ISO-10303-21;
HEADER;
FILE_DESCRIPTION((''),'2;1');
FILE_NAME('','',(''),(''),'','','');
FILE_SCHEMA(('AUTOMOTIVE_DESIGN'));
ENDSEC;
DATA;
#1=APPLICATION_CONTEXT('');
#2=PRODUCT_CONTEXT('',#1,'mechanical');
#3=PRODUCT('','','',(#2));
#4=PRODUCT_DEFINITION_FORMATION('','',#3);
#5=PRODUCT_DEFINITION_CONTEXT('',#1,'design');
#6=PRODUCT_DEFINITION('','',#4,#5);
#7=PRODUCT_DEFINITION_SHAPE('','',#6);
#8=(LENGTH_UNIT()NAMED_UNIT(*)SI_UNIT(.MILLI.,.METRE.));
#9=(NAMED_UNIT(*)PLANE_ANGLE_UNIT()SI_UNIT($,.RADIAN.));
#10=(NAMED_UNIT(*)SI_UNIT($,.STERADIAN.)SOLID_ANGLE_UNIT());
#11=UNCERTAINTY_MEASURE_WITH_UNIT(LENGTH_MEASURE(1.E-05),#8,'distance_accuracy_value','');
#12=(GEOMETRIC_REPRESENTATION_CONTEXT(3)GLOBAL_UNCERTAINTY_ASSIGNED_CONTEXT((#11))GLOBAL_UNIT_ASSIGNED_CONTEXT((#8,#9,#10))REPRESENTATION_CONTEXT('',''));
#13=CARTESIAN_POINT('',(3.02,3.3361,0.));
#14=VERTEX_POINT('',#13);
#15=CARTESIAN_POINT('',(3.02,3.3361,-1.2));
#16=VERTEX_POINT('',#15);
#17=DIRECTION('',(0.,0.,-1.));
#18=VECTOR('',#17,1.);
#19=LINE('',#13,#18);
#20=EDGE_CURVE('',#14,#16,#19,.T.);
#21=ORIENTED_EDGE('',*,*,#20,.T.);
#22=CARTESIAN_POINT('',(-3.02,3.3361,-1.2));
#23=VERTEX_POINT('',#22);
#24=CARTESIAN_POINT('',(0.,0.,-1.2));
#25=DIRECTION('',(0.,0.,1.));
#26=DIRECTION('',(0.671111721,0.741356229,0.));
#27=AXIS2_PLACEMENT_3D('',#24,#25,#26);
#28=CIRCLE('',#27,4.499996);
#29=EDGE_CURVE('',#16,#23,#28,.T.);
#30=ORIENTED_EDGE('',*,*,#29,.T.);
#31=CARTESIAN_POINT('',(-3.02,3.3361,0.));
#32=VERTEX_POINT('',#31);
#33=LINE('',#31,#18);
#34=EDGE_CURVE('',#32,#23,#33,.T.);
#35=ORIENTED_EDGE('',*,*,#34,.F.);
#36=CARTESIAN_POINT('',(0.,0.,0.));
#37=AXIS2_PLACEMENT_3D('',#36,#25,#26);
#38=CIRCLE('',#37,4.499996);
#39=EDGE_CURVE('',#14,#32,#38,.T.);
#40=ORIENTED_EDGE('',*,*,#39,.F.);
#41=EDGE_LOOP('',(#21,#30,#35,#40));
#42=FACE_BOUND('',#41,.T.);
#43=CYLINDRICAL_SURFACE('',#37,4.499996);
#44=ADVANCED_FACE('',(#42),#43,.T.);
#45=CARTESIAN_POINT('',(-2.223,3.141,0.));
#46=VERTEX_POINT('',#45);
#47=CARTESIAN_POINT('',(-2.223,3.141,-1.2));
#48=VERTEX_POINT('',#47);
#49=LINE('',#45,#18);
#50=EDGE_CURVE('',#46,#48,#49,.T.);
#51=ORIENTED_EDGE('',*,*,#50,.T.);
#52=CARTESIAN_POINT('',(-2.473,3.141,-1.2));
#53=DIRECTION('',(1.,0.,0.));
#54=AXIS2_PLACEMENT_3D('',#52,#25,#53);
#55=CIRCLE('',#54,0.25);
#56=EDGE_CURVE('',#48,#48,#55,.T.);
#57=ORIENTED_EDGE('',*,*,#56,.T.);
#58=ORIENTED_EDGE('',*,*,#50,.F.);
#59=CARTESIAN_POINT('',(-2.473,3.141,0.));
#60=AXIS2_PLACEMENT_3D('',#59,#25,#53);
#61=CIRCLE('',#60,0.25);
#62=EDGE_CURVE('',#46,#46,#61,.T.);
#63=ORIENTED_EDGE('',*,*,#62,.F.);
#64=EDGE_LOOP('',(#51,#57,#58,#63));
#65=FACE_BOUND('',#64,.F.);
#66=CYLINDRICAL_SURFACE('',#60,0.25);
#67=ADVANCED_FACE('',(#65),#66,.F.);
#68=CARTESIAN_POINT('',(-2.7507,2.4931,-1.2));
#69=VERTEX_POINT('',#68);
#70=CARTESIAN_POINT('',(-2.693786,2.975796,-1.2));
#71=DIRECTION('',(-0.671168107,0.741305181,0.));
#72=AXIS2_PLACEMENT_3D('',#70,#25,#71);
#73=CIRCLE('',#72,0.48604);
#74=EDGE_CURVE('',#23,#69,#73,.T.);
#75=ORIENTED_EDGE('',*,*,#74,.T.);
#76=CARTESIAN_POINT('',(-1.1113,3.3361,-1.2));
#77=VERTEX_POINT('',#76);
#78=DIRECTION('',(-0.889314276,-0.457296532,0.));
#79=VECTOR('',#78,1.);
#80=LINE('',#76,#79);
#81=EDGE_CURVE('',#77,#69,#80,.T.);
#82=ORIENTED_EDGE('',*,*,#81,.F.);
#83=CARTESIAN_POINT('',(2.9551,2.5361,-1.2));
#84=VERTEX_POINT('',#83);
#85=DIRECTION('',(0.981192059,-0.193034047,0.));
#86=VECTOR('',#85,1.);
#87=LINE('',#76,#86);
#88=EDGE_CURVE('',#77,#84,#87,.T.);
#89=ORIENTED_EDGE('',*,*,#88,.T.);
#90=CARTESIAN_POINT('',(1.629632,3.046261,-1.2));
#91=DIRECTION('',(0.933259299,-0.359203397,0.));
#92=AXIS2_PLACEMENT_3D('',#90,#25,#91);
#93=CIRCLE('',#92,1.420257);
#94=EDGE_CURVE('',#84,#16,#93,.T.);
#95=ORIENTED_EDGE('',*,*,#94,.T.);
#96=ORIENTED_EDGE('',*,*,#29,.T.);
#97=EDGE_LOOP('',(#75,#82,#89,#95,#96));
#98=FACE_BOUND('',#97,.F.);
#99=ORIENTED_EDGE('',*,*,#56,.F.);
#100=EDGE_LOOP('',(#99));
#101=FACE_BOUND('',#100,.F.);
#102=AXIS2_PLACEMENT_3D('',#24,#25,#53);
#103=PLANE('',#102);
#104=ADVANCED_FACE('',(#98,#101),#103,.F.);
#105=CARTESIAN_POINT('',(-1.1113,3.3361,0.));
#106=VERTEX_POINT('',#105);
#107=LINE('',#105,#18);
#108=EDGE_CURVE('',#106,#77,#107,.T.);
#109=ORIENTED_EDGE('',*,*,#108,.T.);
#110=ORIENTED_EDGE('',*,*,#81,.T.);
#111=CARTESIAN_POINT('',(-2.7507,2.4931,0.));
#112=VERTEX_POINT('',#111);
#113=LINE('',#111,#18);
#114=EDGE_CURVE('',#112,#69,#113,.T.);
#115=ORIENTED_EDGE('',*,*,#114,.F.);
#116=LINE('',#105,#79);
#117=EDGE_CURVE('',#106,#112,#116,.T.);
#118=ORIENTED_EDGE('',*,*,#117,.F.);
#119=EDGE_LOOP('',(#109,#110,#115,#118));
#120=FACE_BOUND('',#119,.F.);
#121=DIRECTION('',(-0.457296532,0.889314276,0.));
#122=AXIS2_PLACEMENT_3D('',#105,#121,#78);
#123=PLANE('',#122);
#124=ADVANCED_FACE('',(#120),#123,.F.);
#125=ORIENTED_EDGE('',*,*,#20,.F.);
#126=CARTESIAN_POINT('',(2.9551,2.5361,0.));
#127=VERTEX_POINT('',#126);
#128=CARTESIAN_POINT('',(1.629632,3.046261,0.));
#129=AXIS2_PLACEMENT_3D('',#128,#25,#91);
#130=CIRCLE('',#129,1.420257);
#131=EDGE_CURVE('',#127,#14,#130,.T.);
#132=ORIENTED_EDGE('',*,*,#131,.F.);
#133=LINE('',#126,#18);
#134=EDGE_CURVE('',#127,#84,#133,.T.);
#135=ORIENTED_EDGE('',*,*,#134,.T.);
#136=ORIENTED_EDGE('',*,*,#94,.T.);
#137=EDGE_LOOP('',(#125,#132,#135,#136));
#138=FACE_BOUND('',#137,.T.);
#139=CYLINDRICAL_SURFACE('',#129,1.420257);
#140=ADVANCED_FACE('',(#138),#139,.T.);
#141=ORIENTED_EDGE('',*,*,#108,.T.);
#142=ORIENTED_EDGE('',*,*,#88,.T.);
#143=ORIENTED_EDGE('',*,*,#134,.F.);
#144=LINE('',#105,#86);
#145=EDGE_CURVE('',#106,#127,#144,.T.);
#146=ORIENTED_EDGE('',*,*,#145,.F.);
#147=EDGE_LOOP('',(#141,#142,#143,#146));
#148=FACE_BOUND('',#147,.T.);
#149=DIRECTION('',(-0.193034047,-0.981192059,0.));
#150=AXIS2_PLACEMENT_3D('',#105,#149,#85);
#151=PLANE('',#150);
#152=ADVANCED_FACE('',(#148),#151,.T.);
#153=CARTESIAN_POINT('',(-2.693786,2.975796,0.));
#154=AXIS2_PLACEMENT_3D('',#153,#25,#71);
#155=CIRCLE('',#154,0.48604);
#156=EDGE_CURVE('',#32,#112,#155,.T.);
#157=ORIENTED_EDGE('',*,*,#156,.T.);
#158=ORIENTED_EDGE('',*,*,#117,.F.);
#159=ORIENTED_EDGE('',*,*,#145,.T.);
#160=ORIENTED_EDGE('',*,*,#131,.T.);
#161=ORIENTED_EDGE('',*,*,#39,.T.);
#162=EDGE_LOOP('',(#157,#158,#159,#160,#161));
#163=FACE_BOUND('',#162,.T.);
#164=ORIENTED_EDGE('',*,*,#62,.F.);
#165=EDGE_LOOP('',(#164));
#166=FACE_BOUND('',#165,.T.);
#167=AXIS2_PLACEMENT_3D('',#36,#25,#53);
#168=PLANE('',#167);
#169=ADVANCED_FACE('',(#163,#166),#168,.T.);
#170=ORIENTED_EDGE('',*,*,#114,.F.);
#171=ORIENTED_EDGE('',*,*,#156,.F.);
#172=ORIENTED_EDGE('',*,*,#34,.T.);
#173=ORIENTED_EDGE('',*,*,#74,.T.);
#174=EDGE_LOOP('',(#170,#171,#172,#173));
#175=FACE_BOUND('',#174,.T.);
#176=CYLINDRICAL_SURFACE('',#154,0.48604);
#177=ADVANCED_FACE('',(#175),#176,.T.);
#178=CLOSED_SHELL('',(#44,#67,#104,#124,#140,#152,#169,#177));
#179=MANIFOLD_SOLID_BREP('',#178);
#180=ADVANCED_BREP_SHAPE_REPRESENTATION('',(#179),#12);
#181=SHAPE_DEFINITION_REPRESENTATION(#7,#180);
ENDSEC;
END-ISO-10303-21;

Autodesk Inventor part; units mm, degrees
ref_plane "YZ Plane" through (0, 0, 0) normal (1, 0, 0) x (0, 1, 0)
ref_plane "XZ Plane" through (0, 0, 0) normal (0, 1, 0) x (-1, 0, 0)
ref_plane "XY Plane" through (0, 0, 0) normal (0, 0, 1) x (1, 0, 0)
sketch "Esboço2" plane through (0, 0, 0) normal (0, 0, 1) x (1, 0, 0)
  arc A0 (3.02, 3.3361) -> (-3.02, 3.3361) centre (0, 0) ccw
  line L0 (-3.02, 3.3361) -> (3.02, 3.3361)
  line L1 (-1.1113, 3.3361) -> (2.9551, 2.5361)
  arc A1 (2.9551, 2.5361) -> (3.02, 3.3361) centre (1.6299, 3.0462) ccw
  line L2 (-1.1113, 3.3361) -> (-2.7507, 2.4931)
  arc A2 (-3.02, 3.3361) -> (-2.7507, 2.4931) centre (-2.6938, 2.9758) ccw
  dimension "d8" = 9
  dimension "d9" = 6.04
  dimension "d10" = 0.8
  dimension "d11" = 0.843
extrude "Extrusão1" add sketch "Esboço2" against normal blind 1.2
sketch "Esboço3" plane through (0, 0, 0) normal (0, 0, 1) x (1, 0, 0)
  circle A0 centre (-2.473, 3.141) radius 0.25
  line L0 (0, 5.4) -> (0, -0.9) projected
  line L1 (-4.4258, 0) -> (4.2958, 0) projected
  point P0 (0, 0)
  dimension "d14" = 0.5
  dimension "d16" = 2.473
  dimension "d17" = 3.141
extrude "Extrusão2" cut sketch "Esboço3" against normal through all
properties material "Liga de Nickel-Copper 400"
